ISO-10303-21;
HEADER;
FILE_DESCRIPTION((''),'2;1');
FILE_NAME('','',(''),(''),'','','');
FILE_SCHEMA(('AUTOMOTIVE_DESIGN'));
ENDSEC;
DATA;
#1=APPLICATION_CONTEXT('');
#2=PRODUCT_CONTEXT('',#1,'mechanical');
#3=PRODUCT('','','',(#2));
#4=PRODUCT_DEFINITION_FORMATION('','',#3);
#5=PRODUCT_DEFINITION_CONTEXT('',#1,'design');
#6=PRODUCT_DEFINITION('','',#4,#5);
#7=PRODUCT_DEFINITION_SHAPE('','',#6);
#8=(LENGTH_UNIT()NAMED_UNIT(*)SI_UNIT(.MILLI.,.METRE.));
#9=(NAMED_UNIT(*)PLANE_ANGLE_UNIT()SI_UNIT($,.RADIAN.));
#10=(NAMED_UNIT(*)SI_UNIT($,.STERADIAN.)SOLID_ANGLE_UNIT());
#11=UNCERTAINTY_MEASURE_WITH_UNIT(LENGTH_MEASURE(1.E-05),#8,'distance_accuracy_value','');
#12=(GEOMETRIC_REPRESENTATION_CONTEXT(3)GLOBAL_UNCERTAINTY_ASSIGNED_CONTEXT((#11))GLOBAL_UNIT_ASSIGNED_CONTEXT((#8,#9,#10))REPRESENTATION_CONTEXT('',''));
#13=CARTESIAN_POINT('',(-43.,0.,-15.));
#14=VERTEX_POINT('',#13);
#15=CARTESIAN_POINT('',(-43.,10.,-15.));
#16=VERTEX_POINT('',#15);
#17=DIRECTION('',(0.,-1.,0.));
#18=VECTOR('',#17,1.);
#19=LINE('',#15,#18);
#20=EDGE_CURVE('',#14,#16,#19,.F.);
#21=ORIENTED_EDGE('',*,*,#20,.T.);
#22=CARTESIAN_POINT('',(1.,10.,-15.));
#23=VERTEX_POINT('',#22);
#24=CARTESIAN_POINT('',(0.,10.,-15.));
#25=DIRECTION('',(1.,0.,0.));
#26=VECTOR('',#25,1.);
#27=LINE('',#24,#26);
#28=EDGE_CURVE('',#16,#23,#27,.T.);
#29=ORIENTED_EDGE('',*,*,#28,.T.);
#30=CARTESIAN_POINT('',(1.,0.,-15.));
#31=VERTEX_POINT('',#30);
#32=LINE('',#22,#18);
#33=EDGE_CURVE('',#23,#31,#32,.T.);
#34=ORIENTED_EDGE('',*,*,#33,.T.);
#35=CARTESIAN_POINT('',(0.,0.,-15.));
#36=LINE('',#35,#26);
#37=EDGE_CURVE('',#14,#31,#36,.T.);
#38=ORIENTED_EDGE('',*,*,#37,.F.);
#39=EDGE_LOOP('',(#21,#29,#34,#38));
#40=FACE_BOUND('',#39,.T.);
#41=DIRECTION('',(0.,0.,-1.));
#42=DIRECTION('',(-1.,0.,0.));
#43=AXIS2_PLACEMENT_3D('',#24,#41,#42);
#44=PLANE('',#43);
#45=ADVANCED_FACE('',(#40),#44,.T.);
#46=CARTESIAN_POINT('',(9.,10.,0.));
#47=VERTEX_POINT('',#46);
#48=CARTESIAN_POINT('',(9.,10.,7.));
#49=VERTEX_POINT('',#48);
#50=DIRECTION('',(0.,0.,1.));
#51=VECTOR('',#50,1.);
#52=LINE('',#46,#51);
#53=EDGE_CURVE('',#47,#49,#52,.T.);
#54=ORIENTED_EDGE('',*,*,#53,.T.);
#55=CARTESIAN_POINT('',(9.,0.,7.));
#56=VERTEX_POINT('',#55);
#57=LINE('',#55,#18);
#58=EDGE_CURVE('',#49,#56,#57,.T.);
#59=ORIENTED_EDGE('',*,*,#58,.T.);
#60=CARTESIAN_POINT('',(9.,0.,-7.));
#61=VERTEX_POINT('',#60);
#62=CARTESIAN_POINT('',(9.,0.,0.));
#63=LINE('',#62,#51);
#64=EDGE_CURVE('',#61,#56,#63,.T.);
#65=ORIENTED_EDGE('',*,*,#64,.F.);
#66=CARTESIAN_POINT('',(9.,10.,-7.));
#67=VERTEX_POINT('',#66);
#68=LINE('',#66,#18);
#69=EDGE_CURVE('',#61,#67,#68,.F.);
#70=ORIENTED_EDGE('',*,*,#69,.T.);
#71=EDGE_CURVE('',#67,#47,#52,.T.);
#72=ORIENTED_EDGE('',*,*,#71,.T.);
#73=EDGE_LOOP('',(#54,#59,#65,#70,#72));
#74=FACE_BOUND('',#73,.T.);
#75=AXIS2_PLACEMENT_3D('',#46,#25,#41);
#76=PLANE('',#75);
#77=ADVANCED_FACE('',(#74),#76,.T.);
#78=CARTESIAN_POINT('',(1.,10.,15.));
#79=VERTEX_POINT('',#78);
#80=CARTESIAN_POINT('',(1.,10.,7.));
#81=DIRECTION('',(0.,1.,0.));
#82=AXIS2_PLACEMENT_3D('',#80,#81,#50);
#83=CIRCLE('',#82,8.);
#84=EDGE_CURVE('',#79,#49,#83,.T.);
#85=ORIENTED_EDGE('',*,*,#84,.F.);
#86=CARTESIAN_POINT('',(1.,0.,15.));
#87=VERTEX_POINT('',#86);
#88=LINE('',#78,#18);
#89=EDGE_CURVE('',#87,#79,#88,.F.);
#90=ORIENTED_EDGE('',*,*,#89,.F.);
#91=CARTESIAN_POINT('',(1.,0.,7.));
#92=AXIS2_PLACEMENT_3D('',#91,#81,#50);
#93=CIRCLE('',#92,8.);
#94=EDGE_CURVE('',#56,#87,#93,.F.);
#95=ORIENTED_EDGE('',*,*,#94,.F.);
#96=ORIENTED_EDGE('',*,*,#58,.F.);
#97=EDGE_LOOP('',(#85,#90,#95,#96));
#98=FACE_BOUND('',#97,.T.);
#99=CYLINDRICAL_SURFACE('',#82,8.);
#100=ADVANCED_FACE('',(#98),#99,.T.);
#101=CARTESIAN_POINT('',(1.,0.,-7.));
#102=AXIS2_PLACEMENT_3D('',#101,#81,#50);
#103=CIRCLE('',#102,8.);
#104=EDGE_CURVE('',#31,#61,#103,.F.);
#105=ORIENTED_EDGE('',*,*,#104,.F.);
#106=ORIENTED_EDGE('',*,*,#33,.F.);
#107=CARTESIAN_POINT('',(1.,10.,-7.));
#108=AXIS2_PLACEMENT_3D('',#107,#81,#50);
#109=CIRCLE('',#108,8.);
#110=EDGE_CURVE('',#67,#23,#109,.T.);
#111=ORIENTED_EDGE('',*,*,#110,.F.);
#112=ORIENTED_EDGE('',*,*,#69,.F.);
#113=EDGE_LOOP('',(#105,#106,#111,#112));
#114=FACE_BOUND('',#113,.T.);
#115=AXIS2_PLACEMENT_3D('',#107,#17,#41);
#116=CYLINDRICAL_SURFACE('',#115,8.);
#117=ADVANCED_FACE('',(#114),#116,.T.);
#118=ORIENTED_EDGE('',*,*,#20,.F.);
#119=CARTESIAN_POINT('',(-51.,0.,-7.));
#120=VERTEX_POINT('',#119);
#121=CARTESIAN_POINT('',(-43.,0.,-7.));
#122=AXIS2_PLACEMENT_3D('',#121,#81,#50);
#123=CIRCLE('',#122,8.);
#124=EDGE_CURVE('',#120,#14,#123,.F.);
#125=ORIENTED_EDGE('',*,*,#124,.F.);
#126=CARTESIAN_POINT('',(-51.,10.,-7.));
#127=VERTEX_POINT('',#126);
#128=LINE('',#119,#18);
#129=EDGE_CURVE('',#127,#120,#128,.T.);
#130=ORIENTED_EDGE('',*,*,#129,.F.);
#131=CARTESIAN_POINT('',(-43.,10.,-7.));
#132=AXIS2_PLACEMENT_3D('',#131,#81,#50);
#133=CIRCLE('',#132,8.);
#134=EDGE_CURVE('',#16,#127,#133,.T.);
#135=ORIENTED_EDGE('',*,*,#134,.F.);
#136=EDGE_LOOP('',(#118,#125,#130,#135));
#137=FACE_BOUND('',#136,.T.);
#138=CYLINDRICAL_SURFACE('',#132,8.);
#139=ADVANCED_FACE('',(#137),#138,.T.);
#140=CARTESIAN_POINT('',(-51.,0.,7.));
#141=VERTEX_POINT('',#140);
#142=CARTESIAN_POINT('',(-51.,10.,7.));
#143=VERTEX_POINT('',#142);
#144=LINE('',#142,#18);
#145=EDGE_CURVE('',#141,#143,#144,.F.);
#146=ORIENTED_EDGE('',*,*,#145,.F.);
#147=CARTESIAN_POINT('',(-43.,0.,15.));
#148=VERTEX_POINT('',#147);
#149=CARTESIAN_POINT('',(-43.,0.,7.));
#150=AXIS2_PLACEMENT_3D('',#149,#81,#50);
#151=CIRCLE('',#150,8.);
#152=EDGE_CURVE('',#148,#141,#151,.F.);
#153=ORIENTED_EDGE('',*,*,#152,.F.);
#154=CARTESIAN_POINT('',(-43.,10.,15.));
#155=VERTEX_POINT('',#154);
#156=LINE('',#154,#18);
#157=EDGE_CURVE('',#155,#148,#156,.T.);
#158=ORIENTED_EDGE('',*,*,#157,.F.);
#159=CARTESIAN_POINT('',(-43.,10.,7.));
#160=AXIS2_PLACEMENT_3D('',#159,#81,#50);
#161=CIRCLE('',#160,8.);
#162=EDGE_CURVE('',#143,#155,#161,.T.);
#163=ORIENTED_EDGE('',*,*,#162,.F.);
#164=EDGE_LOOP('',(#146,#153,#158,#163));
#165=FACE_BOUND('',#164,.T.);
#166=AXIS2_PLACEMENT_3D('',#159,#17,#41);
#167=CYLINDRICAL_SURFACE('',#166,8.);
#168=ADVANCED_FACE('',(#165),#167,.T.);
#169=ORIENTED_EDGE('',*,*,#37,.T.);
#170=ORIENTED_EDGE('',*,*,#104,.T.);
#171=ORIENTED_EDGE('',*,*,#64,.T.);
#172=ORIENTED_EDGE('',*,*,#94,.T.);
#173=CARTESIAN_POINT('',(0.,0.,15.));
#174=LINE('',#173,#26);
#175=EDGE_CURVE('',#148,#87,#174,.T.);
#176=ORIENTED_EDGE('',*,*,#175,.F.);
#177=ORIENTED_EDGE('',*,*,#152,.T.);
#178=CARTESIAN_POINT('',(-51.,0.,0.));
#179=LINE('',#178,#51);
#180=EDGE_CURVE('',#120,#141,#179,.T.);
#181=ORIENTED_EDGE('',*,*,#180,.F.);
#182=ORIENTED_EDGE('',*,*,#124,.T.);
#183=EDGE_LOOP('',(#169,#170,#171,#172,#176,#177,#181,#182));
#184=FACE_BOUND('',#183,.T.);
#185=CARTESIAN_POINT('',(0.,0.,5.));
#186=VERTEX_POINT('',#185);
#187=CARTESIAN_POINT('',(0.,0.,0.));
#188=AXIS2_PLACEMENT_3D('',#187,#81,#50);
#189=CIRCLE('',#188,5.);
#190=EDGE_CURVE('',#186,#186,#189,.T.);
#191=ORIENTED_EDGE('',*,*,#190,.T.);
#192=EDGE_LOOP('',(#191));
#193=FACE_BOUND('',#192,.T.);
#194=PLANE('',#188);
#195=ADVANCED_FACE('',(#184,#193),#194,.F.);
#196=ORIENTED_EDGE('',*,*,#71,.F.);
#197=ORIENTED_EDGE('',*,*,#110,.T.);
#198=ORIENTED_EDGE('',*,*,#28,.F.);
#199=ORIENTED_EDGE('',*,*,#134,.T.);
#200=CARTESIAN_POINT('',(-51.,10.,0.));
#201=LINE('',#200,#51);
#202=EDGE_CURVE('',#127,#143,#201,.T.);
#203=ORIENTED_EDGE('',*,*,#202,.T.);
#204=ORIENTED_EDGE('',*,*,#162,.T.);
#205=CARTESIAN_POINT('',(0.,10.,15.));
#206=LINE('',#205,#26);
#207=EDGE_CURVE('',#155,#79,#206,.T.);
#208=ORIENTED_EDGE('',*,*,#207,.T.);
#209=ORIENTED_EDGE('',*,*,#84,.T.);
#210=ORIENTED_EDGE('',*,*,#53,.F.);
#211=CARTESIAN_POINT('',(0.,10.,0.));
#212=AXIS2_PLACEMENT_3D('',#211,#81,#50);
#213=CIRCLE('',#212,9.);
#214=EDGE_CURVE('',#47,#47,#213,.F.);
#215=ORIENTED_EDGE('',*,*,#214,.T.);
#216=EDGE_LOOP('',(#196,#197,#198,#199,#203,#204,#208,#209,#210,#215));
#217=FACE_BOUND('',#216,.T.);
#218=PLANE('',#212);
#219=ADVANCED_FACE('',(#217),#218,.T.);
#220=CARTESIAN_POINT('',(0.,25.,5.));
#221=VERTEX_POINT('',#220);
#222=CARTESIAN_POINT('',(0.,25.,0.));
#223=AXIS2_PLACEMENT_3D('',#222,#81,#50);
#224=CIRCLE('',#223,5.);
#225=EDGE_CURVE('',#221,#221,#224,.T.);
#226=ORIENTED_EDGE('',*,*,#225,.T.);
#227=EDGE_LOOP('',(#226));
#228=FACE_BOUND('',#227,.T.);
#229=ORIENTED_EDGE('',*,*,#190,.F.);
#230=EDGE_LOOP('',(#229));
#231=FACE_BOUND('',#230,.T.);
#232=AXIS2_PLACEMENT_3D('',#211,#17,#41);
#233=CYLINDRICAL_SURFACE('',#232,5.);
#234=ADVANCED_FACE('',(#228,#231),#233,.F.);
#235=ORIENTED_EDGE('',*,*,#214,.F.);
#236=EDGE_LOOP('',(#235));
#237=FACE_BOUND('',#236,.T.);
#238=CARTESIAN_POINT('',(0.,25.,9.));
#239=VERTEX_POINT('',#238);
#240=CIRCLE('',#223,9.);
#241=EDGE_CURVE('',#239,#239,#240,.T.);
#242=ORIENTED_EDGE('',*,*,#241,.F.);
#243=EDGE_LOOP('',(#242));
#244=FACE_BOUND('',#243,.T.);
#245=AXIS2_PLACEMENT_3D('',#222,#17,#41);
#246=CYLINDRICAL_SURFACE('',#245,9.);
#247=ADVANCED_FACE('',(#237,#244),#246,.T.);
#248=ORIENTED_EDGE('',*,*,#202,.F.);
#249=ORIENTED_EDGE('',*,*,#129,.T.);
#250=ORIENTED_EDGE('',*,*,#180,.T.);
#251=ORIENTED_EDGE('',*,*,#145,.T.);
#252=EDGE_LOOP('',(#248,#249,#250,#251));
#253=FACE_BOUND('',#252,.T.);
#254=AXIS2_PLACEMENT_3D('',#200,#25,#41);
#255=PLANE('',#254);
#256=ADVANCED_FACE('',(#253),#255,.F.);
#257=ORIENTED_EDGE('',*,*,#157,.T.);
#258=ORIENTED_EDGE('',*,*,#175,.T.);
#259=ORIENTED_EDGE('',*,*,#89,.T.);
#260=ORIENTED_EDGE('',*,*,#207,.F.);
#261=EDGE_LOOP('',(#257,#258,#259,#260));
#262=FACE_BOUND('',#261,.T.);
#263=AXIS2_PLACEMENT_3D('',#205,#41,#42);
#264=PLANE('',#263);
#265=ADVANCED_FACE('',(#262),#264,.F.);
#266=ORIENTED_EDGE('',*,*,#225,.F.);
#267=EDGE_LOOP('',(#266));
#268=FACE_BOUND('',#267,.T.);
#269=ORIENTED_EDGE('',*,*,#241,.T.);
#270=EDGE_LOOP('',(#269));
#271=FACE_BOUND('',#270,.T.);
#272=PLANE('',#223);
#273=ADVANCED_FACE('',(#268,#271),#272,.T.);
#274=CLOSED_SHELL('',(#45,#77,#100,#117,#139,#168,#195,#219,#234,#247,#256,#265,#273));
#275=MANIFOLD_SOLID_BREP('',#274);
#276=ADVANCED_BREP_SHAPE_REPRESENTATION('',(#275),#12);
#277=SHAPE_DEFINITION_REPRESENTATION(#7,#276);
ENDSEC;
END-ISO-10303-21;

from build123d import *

# Parameters (mm, degrees)
SKETCH1_W           = 60
SKETCH1_H           = 30
SKETCH1_R           = 5
BOSS_EXTRUDE1_DEPTH = 10
FILLET1_R           = 8
SKETCH1_3_R         = 9
SKETCH1_3_R_2       = 5
BOSS_EXTRUDE2_DEPTH = 25


with BuildPart() as part:
    # Sketch1 → Boss-Extrude1 (new body)
    with BuildSketch(Plane(origin=(0, 0, 0), x_dir=(1, 0, 0), z_dir=(0, 1, 0))):
        with Locations((-21, 0)):
            Rectangle(SKETCH1_W, SKETCH1_H)
        Circle(SKETCH1_R, mode=Mode.SUBTRACT)
    extrude(amount=BOSS_EXTRUDE1_DEPTH)

    # Fillet1
    fillet1_edges = [part.edges().sort_by_distance(p)[0] for p in [
        (-51, 5, 15),
        (-51, 5, -15),
        (9, 5, -15),
        (9, 5, 15),
    ]]
    fillet(fillet1_edges, radius=FILLET1_R)

    # Sketch1<3> → Boss-Extrude2 (add)
    with BuildSketch(Plane(origin=(0, 0, 0), x_dir=(1, 0, 0), z_dir=(0, 1, 0))):
        Circle(SKETCH1_3_R)
        Circle(SKETCH1_3_R_2, mode=Mode.SUBTRACT)
    extrude(amount=BOSS_EXTRUDE2_DEPTH)


solid = part.part
